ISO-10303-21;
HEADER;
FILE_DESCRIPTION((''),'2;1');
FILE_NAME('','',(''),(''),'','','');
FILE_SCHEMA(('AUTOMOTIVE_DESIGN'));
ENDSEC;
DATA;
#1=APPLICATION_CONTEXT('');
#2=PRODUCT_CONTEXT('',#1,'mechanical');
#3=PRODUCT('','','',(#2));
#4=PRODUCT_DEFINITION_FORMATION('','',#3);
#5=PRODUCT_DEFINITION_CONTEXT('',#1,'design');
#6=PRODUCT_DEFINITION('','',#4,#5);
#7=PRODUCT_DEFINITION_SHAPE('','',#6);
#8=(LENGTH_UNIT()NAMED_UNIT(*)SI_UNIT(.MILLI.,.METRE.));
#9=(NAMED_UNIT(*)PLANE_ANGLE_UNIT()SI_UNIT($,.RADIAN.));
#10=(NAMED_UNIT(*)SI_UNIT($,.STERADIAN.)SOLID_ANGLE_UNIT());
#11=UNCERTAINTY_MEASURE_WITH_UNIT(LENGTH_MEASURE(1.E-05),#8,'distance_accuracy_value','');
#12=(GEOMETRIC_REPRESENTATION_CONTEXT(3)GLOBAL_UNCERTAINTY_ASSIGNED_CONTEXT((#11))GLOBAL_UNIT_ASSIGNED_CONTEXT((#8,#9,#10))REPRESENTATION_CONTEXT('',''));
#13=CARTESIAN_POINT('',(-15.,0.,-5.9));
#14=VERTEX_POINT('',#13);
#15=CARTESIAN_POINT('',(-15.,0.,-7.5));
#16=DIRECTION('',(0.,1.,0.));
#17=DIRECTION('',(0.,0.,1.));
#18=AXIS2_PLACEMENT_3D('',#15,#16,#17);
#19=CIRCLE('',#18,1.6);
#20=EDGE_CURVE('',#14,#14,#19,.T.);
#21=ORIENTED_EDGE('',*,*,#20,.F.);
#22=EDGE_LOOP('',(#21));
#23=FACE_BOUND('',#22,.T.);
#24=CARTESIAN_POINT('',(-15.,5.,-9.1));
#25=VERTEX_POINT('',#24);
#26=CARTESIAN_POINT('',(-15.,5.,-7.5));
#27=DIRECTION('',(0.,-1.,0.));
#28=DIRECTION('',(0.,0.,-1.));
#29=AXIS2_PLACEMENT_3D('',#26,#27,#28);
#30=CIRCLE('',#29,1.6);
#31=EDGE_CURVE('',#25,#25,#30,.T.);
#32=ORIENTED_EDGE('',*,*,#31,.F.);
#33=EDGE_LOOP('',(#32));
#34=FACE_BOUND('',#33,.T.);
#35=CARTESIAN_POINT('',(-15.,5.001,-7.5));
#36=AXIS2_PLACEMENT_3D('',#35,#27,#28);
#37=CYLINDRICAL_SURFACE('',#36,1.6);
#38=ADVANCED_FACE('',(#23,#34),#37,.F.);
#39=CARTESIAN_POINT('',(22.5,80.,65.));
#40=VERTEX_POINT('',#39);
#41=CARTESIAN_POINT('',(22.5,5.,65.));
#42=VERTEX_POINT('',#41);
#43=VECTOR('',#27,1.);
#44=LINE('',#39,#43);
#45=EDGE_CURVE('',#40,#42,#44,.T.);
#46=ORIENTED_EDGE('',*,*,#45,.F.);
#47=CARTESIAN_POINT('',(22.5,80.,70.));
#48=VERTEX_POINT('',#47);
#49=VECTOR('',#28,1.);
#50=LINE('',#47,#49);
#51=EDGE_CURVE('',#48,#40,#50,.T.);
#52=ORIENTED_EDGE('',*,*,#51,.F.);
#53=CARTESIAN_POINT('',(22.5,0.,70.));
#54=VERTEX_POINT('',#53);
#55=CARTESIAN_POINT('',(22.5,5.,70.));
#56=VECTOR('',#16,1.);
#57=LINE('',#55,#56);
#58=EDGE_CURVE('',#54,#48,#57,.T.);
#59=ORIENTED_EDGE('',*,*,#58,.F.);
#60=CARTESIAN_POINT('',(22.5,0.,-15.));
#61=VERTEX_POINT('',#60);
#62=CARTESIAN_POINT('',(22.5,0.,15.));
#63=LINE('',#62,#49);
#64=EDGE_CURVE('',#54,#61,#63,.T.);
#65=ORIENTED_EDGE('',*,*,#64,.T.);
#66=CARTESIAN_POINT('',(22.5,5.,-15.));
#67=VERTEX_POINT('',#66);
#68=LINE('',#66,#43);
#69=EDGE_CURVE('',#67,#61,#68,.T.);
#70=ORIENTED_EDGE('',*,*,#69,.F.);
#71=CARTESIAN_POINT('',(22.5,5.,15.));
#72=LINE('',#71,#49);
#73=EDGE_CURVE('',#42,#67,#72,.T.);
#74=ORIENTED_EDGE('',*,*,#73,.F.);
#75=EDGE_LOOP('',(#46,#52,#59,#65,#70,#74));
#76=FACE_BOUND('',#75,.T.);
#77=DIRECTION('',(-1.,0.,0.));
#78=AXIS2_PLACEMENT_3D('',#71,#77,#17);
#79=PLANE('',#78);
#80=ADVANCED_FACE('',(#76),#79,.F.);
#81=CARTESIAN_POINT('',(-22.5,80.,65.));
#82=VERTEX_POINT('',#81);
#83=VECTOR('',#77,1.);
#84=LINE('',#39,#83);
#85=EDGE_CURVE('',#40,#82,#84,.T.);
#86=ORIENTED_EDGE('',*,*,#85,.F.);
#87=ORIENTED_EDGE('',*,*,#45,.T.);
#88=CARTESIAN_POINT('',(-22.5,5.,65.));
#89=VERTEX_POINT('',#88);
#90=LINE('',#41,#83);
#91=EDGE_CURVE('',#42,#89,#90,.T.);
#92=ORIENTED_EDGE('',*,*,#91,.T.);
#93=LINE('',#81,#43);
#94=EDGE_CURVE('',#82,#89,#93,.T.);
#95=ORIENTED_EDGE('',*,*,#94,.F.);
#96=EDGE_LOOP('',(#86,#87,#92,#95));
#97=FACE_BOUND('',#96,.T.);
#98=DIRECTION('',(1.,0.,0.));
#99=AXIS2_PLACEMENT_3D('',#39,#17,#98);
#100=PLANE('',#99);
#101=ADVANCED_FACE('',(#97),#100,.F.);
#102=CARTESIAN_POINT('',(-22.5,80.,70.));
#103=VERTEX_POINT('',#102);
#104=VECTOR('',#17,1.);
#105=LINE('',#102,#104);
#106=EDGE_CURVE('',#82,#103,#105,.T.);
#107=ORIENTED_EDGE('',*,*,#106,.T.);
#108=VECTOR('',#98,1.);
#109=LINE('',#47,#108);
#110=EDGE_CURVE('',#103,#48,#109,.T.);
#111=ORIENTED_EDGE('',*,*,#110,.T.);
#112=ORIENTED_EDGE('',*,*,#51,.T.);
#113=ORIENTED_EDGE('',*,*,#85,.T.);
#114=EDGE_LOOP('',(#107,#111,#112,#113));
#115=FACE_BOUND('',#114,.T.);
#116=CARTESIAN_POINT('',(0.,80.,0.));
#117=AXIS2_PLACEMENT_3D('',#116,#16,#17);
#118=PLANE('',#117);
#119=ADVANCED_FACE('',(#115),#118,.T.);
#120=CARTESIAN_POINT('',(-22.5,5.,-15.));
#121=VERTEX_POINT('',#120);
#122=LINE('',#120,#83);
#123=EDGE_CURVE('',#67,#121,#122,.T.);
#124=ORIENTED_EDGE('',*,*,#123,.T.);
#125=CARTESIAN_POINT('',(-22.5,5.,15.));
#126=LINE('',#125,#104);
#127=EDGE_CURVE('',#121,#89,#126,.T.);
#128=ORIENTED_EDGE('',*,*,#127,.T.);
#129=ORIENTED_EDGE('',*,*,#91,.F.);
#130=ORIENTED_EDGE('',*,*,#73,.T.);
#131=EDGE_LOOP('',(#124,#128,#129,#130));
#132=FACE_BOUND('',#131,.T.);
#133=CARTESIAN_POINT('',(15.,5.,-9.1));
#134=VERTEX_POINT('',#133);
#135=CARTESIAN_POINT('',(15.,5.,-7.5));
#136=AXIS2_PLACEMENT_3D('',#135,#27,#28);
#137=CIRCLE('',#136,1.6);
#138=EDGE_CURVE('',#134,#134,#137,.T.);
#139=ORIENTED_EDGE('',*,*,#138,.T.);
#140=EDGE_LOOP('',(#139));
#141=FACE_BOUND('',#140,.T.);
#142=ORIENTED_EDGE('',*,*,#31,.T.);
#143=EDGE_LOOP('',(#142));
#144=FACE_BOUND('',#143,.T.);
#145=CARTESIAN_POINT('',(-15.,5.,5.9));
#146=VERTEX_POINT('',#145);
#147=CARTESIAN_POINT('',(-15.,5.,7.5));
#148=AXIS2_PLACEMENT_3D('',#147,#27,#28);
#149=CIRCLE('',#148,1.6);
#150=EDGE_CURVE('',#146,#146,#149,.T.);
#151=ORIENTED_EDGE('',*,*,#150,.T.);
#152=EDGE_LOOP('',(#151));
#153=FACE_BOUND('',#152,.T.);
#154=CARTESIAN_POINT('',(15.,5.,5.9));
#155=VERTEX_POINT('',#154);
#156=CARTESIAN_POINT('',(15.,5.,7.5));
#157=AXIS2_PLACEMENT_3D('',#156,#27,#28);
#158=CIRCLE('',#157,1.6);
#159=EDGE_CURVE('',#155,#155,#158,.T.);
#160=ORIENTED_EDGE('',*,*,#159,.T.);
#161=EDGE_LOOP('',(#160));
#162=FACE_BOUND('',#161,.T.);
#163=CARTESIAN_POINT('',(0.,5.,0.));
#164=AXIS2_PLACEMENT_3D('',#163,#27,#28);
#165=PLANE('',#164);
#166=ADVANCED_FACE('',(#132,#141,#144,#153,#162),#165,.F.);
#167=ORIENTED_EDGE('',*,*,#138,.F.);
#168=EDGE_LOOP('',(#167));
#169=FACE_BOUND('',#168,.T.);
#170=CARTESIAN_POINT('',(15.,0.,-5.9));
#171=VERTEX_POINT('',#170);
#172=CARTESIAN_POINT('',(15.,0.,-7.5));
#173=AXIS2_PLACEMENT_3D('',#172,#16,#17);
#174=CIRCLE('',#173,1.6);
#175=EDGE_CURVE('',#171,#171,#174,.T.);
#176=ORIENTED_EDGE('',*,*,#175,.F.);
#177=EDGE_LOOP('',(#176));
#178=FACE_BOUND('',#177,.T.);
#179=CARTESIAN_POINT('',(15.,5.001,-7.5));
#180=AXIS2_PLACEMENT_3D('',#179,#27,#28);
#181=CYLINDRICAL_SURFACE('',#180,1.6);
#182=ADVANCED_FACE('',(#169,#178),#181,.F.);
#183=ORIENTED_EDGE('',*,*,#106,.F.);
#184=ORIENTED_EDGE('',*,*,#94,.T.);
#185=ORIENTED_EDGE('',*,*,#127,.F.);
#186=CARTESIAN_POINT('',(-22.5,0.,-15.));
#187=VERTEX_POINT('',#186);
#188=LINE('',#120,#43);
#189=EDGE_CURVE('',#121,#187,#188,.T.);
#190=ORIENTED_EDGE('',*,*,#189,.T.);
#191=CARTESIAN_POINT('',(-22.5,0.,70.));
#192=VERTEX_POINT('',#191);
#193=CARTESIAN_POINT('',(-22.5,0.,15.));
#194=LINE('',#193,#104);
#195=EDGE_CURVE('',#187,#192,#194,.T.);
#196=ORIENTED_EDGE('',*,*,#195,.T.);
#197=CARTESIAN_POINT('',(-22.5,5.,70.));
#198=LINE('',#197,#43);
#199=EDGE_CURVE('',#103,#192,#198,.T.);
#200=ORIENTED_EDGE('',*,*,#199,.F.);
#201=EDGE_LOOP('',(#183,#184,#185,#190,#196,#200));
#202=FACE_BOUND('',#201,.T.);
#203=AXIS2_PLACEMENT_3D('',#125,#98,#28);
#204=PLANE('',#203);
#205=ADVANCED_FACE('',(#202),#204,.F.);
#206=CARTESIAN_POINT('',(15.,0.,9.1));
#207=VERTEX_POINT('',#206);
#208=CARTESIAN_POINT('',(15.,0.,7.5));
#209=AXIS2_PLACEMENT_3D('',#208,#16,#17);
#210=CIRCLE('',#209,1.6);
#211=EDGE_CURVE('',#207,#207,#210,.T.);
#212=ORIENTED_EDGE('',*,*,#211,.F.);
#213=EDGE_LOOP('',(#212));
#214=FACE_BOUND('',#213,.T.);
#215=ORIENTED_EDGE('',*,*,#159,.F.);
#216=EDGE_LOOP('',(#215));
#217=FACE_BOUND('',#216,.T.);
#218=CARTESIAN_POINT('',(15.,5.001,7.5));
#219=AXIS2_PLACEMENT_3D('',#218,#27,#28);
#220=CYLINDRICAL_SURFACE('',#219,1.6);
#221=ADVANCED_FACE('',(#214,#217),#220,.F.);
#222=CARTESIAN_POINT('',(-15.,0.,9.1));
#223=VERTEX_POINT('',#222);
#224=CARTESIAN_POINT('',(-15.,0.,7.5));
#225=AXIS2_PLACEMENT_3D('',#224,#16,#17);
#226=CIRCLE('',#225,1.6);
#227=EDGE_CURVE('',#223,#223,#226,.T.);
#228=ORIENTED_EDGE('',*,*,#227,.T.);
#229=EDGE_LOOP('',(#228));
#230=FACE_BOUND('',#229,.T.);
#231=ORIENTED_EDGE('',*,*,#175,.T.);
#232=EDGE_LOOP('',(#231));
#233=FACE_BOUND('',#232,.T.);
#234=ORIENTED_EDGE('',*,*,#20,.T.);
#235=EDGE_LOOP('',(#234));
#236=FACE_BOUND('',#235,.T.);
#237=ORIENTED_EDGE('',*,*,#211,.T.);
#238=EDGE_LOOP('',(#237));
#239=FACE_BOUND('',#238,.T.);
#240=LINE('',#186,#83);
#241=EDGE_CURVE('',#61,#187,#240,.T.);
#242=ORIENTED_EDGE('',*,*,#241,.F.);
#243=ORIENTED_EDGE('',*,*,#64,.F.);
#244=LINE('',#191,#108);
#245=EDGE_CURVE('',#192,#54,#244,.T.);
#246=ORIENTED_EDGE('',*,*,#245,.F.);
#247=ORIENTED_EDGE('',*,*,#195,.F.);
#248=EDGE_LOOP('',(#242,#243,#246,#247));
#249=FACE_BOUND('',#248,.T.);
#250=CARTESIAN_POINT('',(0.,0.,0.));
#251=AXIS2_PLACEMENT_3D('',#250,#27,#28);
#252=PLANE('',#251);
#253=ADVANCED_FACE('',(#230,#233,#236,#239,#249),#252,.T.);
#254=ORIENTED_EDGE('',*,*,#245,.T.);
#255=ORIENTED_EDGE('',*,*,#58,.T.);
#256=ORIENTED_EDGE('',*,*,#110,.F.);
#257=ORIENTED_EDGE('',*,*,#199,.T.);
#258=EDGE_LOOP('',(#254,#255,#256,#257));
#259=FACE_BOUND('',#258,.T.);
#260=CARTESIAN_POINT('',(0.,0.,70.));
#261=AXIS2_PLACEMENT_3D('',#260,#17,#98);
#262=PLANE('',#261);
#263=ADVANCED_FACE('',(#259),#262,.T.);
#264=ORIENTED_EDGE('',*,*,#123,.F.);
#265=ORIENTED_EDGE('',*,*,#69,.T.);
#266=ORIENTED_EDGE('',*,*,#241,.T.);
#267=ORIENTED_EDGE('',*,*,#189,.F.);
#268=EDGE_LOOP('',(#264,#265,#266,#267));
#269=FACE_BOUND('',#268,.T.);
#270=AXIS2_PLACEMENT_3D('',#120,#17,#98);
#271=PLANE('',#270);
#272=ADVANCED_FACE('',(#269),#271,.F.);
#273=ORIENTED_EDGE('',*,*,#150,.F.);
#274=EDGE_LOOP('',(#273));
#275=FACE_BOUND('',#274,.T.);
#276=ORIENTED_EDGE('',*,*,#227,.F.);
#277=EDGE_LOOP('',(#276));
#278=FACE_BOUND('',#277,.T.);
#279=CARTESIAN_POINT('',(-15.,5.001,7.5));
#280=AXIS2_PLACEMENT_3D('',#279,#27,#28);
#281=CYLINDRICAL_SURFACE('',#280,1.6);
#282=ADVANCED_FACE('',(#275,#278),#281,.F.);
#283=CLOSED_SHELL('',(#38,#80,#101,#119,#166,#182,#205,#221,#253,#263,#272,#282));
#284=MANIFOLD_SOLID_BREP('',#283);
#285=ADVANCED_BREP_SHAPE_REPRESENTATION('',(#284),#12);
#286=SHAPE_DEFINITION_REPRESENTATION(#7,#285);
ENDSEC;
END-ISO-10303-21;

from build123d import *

# Parameters (mm, degrees)
SKETCH1_W           = 45
SKETCH1_H           = 30
BOSS_EXTRUDE1_DEPTH = 5
CUT_EXTRUDE1_REACH  = 7
SKETCH2_R           = 1.6
SKETCH4_W           = 45
SKETCH4_H           = 5
BOSS_EXTRUDE2_DEPTH = 55
SKETCH5_W           = 45
SKETCH5_H           = 5
BOSS_EXTRUDE3_DEPTH = 75


with BuildPart() as part:
    # Sketch1 → Boss-Extrude1 (new body)
    with BuildSketch(Plane(origin=(0, 0, 0), x_dir=(1, 0, 0), z_dir=(0, 1, 0))):
        Rectangle(SKETCH1_W, SKETCH1_H)
    extrude(amount=BOSS_EXTRUDE1_DEPTH)

    # Sketch2 → Cut-Extrude1 (cut, up to next)
    with BuildSketch(Plane(origin=(0, 0, 0), x_dir=(1, 0, 0), z_dir=(0, 1, 0)), mode=Mode.PRIVATE) as cut_extrude1_sk1:
        with Locations((-15, 7.5)):
            Circle(SKETCH2_R)
    cut_extrude1_tool1 = extrude(cut_extrude1_sk1.sketch, amount=CUT_EXTRUDE1_REACH, mode=Mode.PRIVATE) & part.part
    add(cut_extrude1_tool1.solids().sort_by_distance((-15, 0, -7.5))[0], mode=Mode.SUBTRACT)
    # Sketch2 → Cut-Extrude1 (cut, up to next)
    with BuildSketch(Plane(origin=(0, 0, 0), x_dir=(1, 0, 0), z_dir=(0, 1, 0)), mode=Mode.PRIVATE) as cut_extrude1_sk2:
        with Locations((15, 7.5)):
            Circle(SKETCH2_R)
    cut_extrude1_tool2 = extrude(cut_extrude1_sk2.sketch, amount=CUT_EXTRUDE1_REACH, mode=Mode.PRIVATE) & part.part
    add(cut_extrude1_tool2.solids().sort_by_distance((15, 0, -7.5))[0], mode=Mode.SUBTRACT)
    # Sketch2 → Cut-Extrude1 (cut, up to next)
    with BuildSketch(Plane(origin=(0, 0, 0), x_dir=(1, 0, 0), z_dir=(0, 1, 0)), mode=Mode.PRIVATE) as cut_extrude1_sk3:
        with Locations((15, -7.5)):
            Circle(SKETCH2_R)
    cut_extrude1_tool3 = extrude(cut_extrude1_sk3.sketch, amount=CUT_EXTRUDE1_REACH, mode=Mode.PRIVATE) & part.part
    add(cut_extrude1_tool3.solids().sort_by_distance((15, 0, 7.5))[0], mode=Mode.SUBTRACT)
    # Sketch2 → Cut-Extrude1 (cut, up to next)
    with BuildSketch(Plane(origin=(0, 0, 0), x_dir=(1, 0, 0), z_dir=(0, 1, 0)), mode=Mode.PRIVATE) as cut_extrude1_sk4:
        with Locations((-15, -7.5)):
            Circle(SKETCH2_R)
    cut_extrude1_tool4 = extrude(cut_extrude1_sk4.sketch, amount=CUT_EXTRUDE1_REACH, mode=Mode.PRIVATE) & part.part
    add(cut_extrude1_tool4.solids().sort_by_distance((-15, 0, 7.5))[0], mode=Mode.SUBTRACT)

    # Sketch4 → Boss-Extrude2 (add)
    with BuildSketch(Plane.XY.offset(15)):
        with Locations((0, 2.5)):
            Rectangle(SKETCH4_W, SKETCH4_H)
    extrude(amount=BOSS_EXTRUDE2_DEPTH)

    # Sketch5 → Boss-Extrude3 (add)
    with BuildSketch(Plane(origin=(0, 5, 0), x_dir=(1, 0, 0), z_dir=(0, 1, 0))):
        with Locations((0, -67.5)):
            Rectangle(SKETCH5_W, SKETCH5_H)
    extrude(amount=BOSS_EXTRUDE3_DEPTH)


solid = part.part
